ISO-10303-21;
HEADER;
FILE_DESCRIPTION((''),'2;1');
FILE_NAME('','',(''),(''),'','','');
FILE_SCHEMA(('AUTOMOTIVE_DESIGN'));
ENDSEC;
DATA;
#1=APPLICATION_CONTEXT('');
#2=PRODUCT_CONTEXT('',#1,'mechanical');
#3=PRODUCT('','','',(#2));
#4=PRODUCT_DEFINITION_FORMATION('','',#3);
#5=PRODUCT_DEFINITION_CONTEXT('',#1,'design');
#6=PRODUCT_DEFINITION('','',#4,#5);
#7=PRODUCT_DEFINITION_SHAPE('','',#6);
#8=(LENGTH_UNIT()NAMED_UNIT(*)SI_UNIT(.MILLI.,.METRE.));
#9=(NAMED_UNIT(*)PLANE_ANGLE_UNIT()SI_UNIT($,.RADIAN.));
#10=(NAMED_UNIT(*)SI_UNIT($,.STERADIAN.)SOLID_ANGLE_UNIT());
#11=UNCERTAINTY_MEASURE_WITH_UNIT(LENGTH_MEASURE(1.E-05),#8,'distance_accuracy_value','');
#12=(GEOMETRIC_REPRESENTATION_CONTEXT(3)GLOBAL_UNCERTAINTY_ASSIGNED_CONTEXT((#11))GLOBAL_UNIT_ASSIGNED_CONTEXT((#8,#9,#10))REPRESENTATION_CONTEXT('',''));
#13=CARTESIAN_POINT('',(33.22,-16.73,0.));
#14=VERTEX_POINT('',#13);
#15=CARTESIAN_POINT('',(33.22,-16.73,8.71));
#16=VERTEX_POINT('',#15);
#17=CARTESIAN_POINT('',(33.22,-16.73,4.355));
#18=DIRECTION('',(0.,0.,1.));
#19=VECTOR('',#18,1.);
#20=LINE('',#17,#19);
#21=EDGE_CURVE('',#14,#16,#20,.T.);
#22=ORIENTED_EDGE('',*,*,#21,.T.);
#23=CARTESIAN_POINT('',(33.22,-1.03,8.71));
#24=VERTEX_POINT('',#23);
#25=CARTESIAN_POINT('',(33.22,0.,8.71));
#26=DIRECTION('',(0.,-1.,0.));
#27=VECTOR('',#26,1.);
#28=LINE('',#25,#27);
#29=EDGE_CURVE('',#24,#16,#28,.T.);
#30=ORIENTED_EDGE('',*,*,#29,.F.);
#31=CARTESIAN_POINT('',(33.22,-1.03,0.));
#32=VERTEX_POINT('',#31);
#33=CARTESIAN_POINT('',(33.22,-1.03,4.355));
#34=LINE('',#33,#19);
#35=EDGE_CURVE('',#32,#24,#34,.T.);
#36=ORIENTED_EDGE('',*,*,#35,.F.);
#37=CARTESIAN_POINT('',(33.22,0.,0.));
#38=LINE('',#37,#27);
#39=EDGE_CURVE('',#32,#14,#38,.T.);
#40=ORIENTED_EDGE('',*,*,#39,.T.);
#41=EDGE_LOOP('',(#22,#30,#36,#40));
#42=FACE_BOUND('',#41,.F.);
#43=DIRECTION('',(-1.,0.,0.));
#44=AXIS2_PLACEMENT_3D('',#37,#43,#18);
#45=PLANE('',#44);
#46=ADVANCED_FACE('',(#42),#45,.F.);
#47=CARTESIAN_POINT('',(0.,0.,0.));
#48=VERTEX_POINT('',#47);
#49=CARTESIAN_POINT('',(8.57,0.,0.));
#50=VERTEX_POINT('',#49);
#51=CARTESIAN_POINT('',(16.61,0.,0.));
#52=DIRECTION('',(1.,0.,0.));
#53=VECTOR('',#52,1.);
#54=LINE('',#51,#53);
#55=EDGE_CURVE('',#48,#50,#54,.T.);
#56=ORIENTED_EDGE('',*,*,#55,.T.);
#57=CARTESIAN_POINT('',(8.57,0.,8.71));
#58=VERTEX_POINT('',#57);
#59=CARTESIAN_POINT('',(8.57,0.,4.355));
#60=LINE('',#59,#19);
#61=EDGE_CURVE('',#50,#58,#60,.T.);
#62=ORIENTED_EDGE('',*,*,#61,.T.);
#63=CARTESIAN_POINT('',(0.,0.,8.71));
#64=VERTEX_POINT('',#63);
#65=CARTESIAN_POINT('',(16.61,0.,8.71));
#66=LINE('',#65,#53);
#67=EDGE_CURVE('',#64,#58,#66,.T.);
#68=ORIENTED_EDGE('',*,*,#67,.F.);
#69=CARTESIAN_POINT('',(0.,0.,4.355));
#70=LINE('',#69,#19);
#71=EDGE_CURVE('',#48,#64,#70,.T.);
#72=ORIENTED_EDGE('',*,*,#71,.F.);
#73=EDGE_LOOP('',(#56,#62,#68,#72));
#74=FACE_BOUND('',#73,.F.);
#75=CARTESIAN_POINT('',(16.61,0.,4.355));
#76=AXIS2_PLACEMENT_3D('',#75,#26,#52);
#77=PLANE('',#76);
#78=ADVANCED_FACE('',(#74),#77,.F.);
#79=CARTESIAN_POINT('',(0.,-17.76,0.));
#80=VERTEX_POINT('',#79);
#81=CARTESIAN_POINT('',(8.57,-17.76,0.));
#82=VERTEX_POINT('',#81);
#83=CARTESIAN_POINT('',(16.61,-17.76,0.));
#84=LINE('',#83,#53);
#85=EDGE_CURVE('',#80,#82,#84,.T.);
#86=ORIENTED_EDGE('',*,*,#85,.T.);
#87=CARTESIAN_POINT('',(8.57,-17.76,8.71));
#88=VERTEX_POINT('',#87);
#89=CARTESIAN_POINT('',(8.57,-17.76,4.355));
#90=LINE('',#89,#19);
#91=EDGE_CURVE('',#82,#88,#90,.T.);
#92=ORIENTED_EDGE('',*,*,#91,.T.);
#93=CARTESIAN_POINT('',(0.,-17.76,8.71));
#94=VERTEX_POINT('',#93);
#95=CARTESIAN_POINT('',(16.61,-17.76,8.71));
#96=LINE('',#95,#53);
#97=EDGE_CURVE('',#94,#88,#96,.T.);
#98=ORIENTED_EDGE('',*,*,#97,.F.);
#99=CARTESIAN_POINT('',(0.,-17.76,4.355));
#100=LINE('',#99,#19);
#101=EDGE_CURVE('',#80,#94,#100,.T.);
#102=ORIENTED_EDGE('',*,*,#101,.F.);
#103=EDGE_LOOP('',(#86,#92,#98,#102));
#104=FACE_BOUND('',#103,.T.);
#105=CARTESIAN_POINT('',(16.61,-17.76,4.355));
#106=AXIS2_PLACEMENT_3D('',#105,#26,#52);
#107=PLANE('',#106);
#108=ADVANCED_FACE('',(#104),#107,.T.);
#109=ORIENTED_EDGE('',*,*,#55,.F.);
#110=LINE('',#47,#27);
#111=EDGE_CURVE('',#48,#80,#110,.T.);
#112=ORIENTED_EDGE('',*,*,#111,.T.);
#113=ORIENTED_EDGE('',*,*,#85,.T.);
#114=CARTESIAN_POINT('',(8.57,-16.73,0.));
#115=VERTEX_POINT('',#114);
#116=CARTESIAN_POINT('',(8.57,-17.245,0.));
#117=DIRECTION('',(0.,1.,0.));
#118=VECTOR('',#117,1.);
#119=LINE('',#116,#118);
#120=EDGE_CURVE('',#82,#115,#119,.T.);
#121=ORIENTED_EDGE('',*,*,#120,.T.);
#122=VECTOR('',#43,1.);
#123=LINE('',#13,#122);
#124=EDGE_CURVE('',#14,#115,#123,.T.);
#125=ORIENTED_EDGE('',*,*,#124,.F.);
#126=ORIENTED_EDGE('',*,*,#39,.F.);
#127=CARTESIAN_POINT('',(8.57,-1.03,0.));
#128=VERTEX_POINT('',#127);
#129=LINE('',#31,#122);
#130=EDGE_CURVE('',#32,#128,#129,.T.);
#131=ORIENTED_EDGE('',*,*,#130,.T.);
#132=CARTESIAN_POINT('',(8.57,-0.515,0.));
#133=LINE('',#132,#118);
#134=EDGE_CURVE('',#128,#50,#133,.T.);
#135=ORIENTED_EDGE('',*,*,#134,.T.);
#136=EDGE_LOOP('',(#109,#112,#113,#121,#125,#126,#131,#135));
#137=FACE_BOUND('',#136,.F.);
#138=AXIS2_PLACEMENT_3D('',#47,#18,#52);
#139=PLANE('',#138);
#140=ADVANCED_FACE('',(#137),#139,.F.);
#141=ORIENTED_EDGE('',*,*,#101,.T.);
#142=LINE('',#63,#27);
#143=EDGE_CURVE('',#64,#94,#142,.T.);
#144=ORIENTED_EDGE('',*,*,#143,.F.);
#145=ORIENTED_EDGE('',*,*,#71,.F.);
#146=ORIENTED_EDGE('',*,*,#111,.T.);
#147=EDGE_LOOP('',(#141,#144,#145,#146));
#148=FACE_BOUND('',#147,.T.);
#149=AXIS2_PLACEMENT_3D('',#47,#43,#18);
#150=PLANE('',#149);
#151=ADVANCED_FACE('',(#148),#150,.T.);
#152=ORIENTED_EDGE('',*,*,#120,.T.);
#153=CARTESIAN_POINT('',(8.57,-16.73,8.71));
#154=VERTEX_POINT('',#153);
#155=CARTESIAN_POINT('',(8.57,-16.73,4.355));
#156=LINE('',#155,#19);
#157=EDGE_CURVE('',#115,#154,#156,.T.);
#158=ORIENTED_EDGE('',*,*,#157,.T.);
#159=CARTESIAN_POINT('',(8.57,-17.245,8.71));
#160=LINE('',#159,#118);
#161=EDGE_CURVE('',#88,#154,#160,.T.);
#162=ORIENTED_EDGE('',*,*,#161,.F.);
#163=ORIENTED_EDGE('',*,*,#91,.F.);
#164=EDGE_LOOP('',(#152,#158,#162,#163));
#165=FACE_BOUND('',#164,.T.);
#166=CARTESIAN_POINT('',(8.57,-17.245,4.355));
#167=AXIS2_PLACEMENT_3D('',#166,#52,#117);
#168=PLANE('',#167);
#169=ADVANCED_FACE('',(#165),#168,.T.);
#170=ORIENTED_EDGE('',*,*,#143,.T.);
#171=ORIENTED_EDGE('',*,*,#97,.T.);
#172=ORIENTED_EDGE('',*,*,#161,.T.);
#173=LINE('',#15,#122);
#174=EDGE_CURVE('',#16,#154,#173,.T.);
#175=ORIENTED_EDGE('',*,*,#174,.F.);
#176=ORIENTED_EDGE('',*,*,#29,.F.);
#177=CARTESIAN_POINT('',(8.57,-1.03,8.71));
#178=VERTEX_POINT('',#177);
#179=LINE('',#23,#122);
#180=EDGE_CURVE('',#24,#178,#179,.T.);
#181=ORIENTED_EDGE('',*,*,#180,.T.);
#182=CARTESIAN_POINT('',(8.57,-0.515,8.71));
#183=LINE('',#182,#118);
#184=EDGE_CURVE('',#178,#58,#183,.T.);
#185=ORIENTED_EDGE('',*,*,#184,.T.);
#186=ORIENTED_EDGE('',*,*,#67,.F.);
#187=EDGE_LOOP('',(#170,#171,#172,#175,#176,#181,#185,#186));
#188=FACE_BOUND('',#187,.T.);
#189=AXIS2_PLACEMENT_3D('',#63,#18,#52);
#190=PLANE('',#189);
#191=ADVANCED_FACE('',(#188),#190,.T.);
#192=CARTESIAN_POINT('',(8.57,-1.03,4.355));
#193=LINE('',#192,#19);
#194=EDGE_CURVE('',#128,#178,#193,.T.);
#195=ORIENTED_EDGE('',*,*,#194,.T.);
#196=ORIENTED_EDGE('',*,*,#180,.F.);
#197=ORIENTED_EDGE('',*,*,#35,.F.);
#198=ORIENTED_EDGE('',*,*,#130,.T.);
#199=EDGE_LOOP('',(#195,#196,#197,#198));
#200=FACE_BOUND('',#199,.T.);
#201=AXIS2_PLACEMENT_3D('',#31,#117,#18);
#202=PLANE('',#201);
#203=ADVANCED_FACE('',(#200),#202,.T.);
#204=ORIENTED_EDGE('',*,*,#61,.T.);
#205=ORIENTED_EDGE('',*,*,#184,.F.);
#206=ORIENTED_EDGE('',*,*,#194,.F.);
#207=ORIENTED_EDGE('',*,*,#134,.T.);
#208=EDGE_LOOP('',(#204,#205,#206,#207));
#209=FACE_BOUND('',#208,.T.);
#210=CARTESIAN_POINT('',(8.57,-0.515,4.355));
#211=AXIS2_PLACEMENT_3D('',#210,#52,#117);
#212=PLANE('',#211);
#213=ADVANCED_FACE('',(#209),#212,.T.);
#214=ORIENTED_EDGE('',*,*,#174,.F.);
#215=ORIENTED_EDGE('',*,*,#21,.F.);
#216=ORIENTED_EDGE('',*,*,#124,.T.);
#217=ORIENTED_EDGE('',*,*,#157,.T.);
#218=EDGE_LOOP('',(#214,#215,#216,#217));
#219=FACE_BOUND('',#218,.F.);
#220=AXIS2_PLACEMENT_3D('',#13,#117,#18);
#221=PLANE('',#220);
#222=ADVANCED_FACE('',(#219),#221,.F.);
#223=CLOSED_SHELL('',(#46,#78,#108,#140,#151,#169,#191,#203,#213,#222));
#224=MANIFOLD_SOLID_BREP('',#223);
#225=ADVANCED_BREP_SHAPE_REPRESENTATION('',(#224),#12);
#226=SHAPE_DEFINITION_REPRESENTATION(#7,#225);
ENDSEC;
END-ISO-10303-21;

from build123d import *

# Parameters (mm, degrees)
F0_W     = 33.22
F0_H     = 8.71
F1_DEPTH = 17.76
F2_W     = 1.03
F2_H     = 8.71
F3_DEPTH = 24.65


with BuildPart() as f1:
    # F0 (on Front) → F1 (new body)
    with BuildSketch(Plane.XZ):
        with Locations((16.61, 4.355)):
            Rectangle(F0_W, F0_H)
    extrude(amount=F1_DEPTH)

    # F2 (on face) → F3 (cut)
    with BuildSketch(Plane.YZ.offset(33.22)):
        with Locations((-17.245, 4.355)):
            Rectangle(F2_W, F2_H)
        with Locations((-0.515, 4.355)):
            Rectangle(F2_W, F2_H)
    extrude(amount=-F3_DEPTH, mode=Mode.SUBTRACT)


solid = f1.part
